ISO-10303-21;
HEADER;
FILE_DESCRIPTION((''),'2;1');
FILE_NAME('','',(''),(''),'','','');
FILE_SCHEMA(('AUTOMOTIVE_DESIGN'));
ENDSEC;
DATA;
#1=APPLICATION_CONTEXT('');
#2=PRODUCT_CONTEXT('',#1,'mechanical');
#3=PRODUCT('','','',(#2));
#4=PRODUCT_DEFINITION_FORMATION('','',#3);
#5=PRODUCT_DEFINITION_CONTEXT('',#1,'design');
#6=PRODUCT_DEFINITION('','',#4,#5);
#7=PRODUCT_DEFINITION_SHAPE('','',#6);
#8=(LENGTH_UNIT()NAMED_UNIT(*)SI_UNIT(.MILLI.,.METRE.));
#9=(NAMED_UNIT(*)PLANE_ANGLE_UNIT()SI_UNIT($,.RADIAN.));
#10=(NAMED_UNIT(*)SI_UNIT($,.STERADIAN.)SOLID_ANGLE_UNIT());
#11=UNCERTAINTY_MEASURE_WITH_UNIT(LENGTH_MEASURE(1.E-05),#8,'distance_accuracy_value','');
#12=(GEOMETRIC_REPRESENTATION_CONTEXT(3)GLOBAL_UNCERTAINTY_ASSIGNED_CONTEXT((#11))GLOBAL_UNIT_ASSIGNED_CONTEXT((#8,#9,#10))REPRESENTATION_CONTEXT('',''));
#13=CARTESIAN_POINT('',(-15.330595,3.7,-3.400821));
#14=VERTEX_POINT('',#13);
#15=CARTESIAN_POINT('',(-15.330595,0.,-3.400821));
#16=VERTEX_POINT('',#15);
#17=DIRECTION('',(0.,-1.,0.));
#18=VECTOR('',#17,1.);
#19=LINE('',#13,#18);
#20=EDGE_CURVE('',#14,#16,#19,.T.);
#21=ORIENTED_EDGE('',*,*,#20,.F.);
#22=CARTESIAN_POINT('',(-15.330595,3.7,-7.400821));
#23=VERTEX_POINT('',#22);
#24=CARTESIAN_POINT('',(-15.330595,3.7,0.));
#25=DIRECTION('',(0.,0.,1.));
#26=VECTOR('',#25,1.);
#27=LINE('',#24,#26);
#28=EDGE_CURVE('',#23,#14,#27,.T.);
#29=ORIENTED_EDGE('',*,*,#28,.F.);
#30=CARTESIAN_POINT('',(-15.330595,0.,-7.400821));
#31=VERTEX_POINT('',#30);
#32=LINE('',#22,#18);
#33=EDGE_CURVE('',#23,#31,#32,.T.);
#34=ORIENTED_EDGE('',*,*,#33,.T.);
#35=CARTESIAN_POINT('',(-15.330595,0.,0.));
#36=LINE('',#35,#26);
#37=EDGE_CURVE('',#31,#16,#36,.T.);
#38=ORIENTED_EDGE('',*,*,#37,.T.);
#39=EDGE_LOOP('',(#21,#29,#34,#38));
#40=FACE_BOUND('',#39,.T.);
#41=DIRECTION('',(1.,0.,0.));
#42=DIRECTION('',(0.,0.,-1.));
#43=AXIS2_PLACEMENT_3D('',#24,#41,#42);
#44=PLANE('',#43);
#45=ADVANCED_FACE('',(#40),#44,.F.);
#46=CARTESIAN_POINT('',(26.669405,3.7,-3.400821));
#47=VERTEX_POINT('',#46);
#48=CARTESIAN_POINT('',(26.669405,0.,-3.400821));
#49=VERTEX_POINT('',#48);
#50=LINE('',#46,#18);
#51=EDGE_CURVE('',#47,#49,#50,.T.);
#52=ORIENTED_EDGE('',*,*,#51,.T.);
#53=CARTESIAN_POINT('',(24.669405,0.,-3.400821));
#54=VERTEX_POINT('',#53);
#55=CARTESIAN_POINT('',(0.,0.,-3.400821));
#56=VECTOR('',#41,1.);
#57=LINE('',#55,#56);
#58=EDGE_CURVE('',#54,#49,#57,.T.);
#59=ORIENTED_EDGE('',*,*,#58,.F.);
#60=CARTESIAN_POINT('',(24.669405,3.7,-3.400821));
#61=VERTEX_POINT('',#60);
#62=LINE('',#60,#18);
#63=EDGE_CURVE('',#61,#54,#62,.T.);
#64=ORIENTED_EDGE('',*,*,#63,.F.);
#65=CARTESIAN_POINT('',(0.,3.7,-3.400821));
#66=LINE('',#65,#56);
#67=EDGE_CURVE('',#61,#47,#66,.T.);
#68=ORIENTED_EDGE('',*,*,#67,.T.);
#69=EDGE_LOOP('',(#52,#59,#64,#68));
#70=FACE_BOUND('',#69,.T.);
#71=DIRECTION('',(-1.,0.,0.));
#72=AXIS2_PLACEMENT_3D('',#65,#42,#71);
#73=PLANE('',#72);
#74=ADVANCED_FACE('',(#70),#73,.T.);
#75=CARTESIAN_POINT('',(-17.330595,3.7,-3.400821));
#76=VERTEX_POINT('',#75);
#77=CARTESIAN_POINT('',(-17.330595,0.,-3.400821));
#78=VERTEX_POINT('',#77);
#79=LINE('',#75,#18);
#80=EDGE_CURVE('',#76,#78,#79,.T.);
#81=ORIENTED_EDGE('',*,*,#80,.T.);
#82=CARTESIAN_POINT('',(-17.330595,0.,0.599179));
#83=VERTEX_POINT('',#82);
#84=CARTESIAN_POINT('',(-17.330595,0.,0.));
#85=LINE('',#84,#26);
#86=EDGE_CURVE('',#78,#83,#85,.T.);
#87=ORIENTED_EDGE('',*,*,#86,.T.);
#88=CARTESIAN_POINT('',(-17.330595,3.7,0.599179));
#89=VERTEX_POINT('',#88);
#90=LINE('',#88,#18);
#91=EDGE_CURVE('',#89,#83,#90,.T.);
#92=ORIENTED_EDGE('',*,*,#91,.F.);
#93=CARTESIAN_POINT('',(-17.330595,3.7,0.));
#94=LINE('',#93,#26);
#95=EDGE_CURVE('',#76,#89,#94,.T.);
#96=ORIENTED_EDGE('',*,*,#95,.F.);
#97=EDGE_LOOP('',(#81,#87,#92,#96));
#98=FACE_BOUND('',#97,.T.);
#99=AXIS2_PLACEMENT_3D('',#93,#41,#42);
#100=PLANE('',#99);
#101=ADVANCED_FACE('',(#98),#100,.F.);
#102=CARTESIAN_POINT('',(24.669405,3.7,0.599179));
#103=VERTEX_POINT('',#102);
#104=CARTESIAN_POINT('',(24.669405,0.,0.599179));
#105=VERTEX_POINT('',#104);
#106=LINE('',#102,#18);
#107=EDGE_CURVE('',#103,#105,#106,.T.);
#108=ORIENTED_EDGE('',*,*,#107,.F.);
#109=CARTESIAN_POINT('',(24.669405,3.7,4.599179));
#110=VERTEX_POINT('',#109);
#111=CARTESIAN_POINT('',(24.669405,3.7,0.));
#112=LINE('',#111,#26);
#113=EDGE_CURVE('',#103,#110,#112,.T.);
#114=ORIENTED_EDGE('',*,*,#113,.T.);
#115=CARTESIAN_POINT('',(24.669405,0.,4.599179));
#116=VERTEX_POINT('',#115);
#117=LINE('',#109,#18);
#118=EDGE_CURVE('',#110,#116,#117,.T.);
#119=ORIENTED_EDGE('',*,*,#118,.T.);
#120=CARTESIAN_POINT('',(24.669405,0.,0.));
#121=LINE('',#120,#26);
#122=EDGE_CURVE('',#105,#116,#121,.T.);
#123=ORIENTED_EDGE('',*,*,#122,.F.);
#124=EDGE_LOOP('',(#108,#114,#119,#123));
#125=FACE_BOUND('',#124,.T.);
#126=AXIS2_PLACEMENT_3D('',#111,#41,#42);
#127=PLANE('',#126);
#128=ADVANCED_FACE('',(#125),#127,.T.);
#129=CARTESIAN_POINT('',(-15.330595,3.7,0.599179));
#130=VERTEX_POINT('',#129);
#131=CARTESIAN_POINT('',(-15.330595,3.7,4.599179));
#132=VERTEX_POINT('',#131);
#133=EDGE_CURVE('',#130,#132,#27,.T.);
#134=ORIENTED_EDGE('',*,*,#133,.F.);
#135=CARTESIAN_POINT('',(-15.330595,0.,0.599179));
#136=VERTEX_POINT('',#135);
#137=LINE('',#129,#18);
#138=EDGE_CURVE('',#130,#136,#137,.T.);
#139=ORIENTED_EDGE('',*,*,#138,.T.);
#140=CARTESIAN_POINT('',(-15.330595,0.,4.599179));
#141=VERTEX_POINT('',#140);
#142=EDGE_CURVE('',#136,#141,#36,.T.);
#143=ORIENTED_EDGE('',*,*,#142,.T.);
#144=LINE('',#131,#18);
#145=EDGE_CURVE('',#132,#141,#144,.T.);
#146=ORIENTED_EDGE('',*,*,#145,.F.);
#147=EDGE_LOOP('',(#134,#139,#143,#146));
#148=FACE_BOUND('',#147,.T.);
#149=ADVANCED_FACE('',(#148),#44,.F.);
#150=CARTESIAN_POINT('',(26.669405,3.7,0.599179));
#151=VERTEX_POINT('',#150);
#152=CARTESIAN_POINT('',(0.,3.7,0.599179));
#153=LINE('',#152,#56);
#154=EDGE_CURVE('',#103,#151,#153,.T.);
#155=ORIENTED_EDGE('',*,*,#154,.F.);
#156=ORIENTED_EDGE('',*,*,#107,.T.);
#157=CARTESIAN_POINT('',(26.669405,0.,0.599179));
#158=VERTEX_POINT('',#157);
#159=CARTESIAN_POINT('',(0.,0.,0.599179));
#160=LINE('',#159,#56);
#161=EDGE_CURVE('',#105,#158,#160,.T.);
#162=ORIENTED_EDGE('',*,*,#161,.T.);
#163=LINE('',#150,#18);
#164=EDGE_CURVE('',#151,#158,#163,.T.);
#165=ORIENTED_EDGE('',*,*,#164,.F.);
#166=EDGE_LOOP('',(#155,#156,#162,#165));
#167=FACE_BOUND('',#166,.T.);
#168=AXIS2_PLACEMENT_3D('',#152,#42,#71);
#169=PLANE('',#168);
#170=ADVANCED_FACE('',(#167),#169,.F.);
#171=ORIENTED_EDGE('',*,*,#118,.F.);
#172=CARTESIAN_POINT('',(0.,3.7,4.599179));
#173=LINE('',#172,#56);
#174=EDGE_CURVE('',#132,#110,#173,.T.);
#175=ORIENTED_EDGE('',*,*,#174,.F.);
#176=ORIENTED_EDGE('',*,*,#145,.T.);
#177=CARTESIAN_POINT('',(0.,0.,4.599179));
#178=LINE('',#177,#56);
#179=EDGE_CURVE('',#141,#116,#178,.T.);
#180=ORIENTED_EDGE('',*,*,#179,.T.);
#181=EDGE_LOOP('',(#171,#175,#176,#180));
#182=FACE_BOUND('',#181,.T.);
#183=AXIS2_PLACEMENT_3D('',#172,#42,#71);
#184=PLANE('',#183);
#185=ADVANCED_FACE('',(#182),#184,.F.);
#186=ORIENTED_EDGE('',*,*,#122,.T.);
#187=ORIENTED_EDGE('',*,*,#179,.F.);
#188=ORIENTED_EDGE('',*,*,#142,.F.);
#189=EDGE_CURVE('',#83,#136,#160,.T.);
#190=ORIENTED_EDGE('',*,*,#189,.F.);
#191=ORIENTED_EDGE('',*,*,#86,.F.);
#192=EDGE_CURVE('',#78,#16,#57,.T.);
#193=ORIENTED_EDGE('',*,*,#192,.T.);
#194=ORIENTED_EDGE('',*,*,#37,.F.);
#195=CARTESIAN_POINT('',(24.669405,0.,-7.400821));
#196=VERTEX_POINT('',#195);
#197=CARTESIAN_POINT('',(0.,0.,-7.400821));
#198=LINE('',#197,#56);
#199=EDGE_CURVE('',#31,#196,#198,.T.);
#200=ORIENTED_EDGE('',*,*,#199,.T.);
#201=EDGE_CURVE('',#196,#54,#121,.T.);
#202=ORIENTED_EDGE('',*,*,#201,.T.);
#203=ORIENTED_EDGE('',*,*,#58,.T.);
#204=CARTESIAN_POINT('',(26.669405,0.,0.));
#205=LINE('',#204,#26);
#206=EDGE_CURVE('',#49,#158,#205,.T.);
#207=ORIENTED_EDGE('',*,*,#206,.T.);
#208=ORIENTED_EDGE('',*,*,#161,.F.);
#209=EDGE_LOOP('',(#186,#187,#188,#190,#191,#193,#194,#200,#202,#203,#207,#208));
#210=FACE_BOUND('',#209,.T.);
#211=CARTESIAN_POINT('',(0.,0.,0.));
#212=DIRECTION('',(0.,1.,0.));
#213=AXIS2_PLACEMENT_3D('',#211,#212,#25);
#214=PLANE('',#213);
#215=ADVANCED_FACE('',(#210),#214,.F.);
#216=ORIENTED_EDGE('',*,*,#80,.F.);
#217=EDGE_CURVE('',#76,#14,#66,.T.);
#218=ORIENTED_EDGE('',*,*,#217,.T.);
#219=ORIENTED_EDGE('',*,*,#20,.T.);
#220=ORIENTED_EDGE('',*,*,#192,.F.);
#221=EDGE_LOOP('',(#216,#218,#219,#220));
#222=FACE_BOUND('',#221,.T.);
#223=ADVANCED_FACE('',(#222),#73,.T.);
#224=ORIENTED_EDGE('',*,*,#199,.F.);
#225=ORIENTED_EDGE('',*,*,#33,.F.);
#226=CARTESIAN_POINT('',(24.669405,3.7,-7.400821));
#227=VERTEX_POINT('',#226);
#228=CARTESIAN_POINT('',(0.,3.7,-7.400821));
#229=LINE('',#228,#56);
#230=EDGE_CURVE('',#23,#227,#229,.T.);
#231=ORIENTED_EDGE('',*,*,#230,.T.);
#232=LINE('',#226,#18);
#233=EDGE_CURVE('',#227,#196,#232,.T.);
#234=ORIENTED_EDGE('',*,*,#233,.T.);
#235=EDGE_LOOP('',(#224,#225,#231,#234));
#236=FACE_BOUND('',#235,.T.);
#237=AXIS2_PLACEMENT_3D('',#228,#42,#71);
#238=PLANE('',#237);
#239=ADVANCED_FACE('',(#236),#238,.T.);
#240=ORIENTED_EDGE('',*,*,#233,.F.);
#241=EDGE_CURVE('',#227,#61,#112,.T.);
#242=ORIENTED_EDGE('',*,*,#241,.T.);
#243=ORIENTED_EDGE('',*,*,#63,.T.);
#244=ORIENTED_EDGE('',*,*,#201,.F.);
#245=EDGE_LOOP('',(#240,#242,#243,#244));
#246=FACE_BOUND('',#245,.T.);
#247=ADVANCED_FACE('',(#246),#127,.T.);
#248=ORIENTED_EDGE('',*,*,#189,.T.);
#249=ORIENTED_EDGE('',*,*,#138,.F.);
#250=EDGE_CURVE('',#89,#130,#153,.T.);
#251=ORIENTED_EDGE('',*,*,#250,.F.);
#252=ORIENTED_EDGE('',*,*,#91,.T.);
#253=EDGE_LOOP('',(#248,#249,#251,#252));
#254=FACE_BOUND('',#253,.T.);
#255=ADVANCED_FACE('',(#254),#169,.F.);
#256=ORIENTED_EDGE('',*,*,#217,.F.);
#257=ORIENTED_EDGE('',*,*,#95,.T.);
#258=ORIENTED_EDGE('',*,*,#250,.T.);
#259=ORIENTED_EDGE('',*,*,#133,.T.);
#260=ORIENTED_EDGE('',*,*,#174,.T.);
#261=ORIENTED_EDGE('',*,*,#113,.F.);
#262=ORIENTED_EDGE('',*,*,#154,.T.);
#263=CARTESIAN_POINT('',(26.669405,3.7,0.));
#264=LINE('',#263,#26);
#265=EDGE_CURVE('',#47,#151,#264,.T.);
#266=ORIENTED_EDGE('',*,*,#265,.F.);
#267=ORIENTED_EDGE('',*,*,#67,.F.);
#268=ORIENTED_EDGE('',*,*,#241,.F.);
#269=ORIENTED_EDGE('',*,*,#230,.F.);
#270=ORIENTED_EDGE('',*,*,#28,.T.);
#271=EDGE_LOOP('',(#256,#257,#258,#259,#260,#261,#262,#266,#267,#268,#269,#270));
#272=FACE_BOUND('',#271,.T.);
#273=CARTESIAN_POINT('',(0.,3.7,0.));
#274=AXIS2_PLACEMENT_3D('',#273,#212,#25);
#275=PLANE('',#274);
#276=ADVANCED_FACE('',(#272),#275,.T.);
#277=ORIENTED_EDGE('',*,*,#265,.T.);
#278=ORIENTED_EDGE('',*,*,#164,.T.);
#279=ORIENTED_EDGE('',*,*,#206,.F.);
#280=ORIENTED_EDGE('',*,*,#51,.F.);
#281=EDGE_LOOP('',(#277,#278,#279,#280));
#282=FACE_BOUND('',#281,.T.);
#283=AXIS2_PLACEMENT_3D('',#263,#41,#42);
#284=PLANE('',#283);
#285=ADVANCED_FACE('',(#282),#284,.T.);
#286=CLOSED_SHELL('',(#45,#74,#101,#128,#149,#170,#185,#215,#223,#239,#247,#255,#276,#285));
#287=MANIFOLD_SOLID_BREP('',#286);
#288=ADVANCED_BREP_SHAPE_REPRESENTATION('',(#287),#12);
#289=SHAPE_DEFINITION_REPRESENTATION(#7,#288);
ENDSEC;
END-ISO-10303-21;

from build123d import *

# Parameters (mm, degrees)
SKETCH1_W           = 40
SKETCH1_H           = 4
SKETCH1_W_2         = 2
BOSS_EXTRUDE1_DEPTH = 3.7


with BuildPart() as part:
    # Sketch1 → Boss-Extrude1 (new body)
    with BuildSketch(Plane(origin=(0, 0, 0), x_dir=(1, 0, 0), z_dir=(0, 1, 0))):
        Polygon((-15.330595421, 3.400821374), (-17.330595421, 3.400821374), (-17.330595421, -0.599178626), (-15.330595421, -0.599178626), (24.669404579, -0.599178626), (24.669404579, 3.400821374), align=None)
        with Locations((4.669404579, -2.599178626)):
            Rectangle(SKETCH1_W, SKETCH1_H)
        with Locations((25.669404579, 1.400821374)):
            Rectangle(SKETCH1_W_2, SKETCH1_H)
        with Locations((4.669404579, 5.400821374)):
            Rectangle(SKETCH1_W, SKETCH1_H)
    extrude(amount=BOSS_EXTRUDE1_DEPTH)


solid = part.part
